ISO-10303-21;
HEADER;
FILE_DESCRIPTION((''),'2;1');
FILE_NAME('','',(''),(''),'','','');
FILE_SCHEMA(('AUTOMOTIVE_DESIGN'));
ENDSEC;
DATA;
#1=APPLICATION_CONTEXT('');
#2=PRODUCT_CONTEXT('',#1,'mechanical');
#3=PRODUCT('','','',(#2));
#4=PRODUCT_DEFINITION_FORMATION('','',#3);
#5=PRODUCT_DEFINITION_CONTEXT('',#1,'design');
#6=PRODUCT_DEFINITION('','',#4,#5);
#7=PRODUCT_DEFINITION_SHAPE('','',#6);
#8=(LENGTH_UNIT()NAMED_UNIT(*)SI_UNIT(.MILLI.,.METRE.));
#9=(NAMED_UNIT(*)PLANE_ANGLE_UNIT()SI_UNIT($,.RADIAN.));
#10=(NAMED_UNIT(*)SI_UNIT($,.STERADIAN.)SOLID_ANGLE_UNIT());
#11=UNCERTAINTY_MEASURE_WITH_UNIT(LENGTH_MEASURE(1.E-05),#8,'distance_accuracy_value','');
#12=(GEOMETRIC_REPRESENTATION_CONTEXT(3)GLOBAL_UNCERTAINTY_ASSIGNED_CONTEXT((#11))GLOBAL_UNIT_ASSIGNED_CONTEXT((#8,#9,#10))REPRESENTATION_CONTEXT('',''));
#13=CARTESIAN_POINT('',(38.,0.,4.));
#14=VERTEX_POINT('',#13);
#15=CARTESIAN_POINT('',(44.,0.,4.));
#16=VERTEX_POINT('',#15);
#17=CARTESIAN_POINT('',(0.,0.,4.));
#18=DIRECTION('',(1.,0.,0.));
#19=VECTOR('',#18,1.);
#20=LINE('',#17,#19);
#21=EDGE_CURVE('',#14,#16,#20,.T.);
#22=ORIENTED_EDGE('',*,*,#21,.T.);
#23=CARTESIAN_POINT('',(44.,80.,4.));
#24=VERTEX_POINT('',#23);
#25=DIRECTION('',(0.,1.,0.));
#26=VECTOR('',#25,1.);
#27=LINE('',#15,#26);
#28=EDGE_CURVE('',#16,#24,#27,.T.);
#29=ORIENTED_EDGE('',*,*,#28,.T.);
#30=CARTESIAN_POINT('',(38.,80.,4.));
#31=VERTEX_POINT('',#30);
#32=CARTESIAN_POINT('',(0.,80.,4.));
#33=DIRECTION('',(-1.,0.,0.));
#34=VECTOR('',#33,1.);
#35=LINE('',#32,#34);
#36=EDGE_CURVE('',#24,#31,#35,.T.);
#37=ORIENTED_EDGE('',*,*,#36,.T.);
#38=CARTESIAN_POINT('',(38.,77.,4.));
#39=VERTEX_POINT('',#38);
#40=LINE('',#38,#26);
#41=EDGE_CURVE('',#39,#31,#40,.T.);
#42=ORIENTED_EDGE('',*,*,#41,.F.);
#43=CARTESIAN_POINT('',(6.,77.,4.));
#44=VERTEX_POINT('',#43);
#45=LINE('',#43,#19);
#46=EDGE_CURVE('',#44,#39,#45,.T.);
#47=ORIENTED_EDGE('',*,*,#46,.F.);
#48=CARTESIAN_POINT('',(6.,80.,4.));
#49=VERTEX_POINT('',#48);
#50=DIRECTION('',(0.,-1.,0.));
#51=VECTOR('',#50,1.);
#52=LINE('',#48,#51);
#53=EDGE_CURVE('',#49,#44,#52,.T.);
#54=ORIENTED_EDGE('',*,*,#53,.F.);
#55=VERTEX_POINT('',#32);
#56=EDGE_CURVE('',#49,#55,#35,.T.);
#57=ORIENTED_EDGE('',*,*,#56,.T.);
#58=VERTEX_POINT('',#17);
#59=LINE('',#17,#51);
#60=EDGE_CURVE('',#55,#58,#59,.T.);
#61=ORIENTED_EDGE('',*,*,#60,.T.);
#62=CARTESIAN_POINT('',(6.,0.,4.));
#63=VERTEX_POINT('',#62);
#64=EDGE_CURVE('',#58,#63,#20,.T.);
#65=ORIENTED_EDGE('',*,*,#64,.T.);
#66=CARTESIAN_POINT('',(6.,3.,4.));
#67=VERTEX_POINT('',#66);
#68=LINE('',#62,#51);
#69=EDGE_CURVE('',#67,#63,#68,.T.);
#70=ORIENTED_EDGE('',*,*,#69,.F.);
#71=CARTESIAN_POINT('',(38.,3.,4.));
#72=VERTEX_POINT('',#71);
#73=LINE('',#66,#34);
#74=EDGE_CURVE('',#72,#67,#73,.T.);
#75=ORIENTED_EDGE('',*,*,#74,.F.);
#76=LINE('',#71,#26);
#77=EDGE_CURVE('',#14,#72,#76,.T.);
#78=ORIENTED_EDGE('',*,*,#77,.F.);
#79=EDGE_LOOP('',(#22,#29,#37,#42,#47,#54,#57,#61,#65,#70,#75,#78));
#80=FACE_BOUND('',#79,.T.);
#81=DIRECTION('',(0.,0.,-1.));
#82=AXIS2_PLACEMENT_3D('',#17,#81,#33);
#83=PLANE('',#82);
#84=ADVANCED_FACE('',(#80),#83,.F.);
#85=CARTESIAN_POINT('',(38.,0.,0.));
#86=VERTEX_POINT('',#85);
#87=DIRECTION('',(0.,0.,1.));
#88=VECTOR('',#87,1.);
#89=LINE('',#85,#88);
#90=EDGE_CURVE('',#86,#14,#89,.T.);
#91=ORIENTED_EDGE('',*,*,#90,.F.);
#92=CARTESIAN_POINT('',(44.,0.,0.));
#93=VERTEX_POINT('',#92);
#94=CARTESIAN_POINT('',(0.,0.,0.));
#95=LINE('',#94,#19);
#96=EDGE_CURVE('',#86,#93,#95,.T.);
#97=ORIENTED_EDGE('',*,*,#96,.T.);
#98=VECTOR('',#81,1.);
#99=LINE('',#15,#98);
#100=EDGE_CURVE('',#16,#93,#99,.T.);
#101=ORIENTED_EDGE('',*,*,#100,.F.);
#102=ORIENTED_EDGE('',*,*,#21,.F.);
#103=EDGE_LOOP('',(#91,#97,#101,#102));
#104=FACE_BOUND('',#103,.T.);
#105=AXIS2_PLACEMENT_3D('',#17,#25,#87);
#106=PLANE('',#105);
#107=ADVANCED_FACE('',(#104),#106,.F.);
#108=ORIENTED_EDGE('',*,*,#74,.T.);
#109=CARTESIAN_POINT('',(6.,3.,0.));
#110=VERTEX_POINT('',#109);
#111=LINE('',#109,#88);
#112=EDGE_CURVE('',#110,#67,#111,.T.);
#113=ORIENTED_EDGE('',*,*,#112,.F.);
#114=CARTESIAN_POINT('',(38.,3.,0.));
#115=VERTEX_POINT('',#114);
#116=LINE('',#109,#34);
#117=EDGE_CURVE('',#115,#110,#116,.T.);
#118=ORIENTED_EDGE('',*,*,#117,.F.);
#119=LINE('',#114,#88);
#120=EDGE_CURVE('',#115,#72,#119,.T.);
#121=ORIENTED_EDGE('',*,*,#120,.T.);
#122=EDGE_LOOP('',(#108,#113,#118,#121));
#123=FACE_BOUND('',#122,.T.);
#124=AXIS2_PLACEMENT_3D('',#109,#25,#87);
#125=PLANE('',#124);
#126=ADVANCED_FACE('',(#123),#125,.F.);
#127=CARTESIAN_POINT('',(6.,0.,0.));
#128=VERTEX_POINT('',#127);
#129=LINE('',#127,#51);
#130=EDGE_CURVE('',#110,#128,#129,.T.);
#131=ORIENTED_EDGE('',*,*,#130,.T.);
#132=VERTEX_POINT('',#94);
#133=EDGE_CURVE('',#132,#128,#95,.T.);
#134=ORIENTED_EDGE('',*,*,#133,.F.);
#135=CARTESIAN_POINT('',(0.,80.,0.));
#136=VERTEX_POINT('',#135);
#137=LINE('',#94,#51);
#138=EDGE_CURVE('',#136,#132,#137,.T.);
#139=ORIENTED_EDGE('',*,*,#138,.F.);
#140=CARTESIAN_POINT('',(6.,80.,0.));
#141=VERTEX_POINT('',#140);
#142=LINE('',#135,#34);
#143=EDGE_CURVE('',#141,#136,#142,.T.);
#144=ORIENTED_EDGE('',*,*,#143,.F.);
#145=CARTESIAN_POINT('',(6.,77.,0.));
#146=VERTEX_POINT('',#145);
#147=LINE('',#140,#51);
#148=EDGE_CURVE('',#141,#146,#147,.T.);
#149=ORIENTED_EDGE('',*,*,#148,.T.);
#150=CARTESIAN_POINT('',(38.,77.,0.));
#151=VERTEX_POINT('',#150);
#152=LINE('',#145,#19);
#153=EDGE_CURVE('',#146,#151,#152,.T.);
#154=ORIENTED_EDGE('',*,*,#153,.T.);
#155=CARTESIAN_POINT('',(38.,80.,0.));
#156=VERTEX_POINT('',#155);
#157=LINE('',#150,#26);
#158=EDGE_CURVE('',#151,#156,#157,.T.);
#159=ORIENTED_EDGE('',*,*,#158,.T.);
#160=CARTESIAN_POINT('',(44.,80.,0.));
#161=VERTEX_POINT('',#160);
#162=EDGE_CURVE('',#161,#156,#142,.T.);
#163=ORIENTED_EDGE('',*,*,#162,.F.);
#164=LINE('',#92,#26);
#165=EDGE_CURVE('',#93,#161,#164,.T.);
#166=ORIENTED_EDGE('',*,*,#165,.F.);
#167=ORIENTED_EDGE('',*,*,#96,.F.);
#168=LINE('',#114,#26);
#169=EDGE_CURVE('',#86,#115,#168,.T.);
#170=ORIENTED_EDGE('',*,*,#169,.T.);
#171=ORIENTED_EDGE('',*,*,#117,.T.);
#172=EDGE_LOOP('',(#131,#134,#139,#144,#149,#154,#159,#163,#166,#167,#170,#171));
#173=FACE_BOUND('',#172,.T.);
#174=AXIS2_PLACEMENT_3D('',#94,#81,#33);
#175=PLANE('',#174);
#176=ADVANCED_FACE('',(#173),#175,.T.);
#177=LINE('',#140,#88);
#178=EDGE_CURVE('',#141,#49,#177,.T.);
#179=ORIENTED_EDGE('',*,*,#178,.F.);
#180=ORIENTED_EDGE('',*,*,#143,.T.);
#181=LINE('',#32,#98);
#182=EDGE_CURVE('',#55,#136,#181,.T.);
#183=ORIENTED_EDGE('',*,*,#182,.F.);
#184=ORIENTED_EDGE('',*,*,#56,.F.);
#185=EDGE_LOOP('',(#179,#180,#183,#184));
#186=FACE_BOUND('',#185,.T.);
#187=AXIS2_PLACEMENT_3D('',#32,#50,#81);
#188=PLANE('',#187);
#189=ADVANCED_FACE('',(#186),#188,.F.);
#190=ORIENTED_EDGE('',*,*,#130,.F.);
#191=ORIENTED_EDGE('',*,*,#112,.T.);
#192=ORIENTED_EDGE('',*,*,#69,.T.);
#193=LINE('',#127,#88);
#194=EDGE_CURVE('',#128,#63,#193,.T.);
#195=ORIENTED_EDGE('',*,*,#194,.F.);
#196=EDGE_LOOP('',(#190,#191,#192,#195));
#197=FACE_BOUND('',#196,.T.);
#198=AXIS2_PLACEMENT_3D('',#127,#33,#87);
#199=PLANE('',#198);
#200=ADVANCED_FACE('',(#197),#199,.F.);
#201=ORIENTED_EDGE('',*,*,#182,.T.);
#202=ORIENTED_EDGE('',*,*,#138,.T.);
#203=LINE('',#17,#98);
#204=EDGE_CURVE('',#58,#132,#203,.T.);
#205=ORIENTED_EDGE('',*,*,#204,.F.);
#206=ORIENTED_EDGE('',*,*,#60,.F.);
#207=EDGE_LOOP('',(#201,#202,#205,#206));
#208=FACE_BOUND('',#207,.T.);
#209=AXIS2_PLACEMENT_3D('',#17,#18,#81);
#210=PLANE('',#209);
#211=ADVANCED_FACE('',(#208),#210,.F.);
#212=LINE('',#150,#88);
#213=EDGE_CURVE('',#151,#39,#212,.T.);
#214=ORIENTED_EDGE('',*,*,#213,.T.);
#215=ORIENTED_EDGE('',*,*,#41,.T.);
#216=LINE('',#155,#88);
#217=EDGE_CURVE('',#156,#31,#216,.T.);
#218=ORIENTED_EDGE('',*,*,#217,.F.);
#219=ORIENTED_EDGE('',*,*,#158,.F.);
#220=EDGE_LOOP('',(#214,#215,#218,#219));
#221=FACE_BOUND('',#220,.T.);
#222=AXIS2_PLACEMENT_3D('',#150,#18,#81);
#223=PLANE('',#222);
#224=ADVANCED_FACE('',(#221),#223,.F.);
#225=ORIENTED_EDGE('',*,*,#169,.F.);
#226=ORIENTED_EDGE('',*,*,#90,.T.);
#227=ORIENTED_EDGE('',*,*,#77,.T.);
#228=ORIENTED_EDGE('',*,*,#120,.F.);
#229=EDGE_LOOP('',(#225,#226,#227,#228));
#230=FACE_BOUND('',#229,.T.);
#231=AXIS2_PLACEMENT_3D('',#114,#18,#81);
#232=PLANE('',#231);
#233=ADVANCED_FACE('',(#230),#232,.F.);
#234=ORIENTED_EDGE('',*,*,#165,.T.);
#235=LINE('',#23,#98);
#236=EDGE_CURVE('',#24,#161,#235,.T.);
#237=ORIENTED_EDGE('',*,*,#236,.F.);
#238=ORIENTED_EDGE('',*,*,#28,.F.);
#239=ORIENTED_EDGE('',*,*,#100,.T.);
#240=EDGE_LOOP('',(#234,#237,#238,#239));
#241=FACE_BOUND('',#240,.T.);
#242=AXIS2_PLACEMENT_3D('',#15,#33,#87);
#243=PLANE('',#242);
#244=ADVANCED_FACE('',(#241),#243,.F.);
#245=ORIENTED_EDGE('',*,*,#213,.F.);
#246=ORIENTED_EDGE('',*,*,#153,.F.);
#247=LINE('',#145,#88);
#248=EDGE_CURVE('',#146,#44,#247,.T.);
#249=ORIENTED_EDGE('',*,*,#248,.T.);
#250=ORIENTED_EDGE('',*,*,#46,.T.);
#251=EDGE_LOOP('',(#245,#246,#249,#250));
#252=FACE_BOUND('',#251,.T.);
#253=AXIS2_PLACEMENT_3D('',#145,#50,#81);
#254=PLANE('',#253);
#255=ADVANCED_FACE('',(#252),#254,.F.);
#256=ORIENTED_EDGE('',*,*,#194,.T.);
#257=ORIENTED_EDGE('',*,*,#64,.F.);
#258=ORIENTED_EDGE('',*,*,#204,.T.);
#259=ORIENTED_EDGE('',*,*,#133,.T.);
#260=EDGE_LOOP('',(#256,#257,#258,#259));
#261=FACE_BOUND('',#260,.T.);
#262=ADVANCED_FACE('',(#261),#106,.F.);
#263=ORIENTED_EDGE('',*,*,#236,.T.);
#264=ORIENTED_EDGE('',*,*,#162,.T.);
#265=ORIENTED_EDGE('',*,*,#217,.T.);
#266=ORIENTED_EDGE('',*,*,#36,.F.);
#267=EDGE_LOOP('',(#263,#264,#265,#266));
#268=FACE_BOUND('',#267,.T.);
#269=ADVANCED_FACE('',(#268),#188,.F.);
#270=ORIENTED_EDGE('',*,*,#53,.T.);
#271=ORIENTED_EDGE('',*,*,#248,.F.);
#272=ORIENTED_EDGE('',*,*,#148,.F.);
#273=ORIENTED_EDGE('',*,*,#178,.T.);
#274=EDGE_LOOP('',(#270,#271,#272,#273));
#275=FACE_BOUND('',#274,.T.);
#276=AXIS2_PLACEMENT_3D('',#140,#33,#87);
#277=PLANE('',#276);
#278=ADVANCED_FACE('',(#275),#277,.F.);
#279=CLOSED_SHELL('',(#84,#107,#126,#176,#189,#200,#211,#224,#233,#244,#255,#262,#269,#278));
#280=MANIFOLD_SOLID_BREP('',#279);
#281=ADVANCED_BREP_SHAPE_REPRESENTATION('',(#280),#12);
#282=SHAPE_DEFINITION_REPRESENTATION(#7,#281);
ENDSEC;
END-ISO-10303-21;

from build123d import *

# Parameters (mm, degrees)
SKETCH_4_W          = 44
SKETCH_4_H          = 80
EXTRUDE_2_DEPTH     = 4
SKETCH_6_W          = 32
SKETCH_6_H          = 3
CUT_EXTRUDE_1_DEPTH = 5


with BuildPart() as part:
    # 스케치4 → 보스-돌출2 (new body)
    with BuildSketch(Plane.XY):
        with Locations((22, 40)):
            Rectangle(SKETCH_4_W, SKETCH_4_H)
    extrude(amount=EXTRUDE_2_DEPTH)

    # 스케치6 → 컷-돌출1 (cut, through all)
    with BuildSketch(Plane.XY.offset(4)):
        with Locations((22, 78.5)):
            Rectangle(SKETCH_6_W, SKETCH_6_H)
        with Locations((22, 1.5)):
            Rectangle(SKETCH_6_W, SKETCH_6_H)
    extrude(amount=-CUT_EXTRUDE_1_DEPTH, mode=Mode.SUBTRACT)


solid = part.part
